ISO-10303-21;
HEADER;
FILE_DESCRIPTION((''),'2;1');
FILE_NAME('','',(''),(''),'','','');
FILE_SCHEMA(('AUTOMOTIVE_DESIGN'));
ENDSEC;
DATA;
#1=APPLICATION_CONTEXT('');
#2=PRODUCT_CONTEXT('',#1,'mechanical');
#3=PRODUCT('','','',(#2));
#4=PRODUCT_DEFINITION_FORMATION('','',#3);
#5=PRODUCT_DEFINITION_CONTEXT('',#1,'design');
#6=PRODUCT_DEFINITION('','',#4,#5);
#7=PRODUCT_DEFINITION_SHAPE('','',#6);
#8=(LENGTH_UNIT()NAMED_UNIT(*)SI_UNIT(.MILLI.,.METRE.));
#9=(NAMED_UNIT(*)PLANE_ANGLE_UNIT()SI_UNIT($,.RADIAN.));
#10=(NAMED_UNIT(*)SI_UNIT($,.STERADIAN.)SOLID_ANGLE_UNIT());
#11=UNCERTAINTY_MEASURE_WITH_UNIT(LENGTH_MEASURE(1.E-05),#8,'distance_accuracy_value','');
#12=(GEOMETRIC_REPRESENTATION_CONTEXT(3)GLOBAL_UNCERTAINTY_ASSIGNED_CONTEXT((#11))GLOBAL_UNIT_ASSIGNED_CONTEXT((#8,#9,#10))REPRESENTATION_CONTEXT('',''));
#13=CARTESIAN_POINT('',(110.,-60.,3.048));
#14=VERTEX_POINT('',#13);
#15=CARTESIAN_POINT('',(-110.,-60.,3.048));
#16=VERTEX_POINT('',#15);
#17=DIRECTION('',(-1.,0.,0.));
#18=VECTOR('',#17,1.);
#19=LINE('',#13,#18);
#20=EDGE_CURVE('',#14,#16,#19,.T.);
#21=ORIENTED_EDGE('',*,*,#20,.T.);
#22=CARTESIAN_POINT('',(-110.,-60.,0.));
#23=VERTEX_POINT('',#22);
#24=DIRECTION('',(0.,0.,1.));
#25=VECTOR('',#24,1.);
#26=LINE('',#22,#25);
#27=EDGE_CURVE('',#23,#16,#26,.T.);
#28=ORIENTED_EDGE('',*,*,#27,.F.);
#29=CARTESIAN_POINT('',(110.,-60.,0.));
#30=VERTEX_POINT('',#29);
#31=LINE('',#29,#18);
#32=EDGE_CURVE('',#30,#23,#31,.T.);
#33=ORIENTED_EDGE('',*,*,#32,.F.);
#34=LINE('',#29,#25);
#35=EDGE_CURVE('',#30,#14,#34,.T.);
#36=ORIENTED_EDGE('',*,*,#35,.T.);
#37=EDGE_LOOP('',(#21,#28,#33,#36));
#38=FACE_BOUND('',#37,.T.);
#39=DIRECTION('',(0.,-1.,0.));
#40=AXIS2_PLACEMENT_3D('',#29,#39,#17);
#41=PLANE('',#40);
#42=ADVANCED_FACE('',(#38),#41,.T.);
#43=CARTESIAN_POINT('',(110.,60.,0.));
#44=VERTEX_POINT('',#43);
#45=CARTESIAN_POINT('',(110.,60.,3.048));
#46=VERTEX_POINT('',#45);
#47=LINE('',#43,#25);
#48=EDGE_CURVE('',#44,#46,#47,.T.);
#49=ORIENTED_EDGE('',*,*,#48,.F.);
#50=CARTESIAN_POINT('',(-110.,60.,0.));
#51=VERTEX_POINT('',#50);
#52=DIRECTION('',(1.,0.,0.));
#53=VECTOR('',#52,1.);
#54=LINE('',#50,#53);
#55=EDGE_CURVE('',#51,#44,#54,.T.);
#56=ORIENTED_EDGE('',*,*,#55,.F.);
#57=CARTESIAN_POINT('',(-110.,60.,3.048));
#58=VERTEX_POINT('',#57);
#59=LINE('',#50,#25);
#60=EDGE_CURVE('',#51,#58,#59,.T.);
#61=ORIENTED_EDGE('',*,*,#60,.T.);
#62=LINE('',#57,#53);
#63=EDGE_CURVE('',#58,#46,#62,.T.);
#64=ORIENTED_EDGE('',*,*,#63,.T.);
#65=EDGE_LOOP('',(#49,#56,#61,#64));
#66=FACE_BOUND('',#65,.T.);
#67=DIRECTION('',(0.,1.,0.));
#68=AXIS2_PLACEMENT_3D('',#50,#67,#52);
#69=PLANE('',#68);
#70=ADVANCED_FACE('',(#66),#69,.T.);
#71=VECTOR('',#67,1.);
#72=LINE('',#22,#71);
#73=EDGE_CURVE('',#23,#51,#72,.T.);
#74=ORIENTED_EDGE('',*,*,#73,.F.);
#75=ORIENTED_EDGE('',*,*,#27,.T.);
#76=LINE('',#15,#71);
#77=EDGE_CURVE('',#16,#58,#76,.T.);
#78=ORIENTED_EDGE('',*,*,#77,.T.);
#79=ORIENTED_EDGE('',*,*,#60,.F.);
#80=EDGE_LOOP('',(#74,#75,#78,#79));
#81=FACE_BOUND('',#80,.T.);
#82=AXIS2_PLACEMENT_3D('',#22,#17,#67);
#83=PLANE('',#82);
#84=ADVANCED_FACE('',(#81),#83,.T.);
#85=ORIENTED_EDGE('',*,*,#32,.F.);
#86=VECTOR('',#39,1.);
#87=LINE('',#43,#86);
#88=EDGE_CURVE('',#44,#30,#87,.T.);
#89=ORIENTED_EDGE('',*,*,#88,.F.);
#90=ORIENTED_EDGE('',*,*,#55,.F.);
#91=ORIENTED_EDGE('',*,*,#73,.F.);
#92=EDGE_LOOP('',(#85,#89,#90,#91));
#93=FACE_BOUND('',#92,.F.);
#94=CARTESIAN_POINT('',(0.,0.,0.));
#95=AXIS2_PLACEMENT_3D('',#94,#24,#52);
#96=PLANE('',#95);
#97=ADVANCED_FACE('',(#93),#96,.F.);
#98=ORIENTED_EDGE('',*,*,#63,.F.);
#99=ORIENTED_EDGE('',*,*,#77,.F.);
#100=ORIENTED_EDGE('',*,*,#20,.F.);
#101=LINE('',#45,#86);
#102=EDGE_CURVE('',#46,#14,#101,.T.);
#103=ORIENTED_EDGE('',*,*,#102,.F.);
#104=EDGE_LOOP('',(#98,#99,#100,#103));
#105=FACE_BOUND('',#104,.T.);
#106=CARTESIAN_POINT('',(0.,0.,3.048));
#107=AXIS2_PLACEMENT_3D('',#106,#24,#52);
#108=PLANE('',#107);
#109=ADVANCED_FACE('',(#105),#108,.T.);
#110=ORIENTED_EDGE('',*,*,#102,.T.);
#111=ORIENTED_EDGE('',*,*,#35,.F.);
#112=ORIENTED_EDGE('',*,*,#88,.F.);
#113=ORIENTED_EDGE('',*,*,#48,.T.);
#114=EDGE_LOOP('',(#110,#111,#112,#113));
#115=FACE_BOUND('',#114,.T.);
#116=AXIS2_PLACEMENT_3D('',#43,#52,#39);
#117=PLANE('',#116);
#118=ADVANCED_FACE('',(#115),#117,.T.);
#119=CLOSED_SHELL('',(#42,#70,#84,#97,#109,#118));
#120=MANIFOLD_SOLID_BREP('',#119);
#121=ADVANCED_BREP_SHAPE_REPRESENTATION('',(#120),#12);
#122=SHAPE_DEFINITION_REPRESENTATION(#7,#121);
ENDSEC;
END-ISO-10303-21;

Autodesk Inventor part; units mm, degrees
ref_plane "YZ Plane" through (0, 0, 0) normal (1, 0, 0) x (0, 1, 0)
ref_plane "XZ Plane" through (0, 0, 0) normal (0, 1, 0) x (-1, 0, 0)
ref_plane "XY Plane" through (0, 0, 0) normal (0, 0, 1) x (1, 0, 0)
sketch "Sketch4" plane through (0, 0, 0) normal (0, 0, 1) x (1, 0, 0)
  line L0 (-110, 60) -> (110, 60)
  line L1 (110, 60) -> (110, -60)
  line L2 (110, -60) -> (-110, -60)
  line L3 (-110, -60) -> (-110, 60)
  line L4 (-110, 60) -> (110, -60) construction
  line L5 (110, 60) -> (-110, -60) construction
  point P0 (0, 0)
  dimension "Charging_hatch_lenght" = 120
  dimension "d12" = 120
  dimension "d13" = 220
extrude "Plate2" add sketch "Sketch4" along normal blind 3.048
equation "\"d12\" = Charging_hatch_lenght"
equation "\"d13\" = Charging_hatch_width - Charging_hatch_hight"
equation "\"d14\" = Thickness"
equation "\"BendRadius\" = Thickness"
equation "\"BendReliefWidth\" = Thickness"
equation "\"BendReliefDepth\" = 0.5 * Thickness"
equation "\"CornerReliefSize\" = 4 * Thickness"
equation "\"MinimumRemnant\" = 2 * Thickness"
equation "\"TransitionRadius\" = BendRadius"
equation "\"JacobiRadiusSize\" = BendRadius"
equation "\"GapSize\" = Thickness"
equation "\"Charging_hatch_width\" = 400"
equation "\"Charging_hatch_hight\" = 180"
equation "\"Thickness\" = 3.048"
properties part number "PNS-633 charging blind flange"
